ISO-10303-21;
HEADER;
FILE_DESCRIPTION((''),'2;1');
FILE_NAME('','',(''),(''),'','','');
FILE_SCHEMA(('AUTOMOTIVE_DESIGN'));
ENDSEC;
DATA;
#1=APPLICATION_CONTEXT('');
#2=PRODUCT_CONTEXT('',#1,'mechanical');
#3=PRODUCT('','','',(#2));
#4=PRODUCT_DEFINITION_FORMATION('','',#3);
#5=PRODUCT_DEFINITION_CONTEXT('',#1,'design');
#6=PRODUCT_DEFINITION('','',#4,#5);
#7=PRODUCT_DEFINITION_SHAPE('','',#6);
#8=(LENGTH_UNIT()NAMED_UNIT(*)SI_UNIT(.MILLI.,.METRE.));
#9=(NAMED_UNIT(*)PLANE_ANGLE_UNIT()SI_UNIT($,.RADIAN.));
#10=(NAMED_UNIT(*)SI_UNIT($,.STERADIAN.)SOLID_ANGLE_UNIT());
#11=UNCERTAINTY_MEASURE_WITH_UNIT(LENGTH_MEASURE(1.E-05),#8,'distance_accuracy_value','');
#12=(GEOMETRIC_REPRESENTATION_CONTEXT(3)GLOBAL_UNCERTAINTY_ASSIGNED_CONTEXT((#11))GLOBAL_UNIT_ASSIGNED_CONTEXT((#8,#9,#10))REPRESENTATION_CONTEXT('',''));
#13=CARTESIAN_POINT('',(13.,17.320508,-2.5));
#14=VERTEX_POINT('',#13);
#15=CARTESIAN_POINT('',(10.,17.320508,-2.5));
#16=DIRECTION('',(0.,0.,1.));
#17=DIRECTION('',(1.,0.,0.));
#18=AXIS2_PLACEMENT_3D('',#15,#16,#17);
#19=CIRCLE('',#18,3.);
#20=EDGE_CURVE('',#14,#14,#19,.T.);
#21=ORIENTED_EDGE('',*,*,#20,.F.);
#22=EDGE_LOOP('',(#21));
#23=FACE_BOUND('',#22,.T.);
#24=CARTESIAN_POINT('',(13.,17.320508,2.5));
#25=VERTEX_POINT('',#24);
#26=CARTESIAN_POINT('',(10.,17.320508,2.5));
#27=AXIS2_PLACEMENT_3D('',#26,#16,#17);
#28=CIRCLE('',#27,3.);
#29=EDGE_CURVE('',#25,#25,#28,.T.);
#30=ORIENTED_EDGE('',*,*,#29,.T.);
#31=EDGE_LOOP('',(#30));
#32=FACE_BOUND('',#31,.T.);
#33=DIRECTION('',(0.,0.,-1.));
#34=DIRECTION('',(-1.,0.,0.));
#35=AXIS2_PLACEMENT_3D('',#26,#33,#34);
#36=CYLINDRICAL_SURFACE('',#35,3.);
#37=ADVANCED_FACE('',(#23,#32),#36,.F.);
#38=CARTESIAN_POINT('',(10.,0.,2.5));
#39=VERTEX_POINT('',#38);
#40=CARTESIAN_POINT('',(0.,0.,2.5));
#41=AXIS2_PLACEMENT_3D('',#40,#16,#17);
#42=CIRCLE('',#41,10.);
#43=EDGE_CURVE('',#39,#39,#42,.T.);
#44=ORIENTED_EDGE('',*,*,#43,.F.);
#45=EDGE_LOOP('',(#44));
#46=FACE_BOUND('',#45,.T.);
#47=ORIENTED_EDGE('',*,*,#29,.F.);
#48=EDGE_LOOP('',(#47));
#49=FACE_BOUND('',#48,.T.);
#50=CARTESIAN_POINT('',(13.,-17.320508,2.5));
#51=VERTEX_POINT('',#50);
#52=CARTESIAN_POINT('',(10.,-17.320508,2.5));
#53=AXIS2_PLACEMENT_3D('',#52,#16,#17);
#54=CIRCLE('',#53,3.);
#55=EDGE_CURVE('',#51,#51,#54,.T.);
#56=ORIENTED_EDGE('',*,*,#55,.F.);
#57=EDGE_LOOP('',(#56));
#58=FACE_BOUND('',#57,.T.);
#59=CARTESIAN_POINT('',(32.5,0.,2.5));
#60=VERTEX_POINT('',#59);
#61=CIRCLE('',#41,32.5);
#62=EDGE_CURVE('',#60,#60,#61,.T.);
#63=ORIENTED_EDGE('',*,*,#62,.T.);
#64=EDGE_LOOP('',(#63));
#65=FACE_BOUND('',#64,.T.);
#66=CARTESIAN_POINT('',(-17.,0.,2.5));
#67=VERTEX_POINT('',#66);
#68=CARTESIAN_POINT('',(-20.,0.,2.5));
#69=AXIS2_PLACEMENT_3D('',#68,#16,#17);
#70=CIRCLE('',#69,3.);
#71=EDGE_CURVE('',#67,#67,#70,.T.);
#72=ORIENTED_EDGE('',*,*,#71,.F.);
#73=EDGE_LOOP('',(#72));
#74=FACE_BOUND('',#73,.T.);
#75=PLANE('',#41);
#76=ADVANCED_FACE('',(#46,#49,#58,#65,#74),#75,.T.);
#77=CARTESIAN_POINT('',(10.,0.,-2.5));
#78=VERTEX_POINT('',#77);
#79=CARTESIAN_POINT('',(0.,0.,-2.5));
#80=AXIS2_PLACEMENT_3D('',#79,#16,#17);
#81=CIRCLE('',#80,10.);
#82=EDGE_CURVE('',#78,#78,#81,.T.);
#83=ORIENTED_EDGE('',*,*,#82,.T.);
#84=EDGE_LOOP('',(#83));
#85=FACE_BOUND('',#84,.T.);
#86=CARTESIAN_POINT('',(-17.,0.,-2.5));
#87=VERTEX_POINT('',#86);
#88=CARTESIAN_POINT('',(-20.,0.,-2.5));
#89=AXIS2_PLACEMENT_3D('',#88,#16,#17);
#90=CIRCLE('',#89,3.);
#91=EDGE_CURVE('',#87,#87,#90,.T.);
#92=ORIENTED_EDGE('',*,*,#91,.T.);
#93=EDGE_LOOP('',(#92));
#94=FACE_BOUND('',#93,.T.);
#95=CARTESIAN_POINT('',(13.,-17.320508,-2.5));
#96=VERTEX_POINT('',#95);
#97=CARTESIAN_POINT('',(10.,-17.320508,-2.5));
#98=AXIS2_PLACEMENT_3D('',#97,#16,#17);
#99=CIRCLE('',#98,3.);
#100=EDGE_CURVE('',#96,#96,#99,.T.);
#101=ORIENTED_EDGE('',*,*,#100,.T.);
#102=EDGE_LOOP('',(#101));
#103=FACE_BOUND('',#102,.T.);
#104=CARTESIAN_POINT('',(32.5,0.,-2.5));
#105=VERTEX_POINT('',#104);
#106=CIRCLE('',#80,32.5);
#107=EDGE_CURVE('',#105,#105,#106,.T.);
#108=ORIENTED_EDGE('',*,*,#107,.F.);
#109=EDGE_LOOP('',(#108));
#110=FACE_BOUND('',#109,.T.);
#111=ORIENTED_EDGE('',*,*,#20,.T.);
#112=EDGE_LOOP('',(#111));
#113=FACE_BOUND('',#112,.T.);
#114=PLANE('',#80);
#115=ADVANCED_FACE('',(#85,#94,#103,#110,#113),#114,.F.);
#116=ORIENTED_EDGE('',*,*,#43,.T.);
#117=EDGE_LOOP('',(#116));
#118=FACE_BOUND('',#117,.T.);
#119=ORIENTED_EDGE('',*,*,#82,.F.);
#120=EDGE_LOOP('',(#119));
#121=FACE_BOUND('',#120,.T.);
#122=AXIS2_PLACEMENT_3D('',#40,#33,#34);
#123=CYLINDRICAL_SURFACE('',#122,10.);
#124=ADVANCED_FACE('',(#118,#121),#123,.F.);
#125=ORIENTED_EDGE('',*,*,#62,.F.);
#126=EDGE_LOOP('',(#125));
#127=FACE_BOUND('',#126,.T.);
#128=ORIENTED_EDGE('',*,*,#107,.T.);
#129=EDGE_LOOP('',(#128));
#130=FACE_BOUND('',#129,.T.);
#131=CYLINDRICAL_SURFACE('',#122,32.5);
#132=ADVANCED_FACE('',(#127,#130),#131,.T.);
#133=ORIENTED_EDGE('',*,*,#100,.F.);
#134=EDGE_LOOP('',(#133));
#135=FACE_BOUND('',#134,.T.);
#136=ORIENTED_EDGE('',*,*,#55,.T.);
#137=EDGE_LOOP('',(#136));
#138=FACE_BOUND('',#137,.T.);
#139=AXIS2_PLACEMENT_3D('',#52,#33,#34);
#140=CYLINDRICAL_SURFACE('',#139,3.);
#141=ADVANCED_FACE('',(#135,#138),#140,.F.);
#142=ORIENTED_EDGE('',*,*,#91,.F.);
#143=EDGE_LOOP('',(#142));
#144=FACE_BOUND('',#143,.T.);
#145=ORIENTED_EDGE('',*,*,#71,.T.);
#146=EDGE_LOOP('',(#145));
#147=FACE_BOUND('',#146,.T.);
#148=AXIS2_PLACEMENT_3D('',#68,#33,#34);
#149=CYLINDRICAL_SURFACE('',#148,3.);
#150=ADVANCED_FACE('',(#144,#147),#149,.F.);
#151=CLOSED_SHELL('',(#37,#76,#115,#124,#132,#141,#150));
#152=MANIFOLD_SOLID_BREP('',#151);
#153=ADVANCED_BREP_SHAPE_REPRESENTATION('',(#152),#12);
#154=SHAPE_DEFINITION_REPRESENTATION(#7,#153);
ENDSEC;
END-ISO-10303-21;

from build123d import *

# Parameters (mm, degrees)
SKETCH1_R           = 32.5
SKETCH1_R_2         = 10
SKETCH1_R_3         = 3
BOSS_EXTRUDE1_DEPTH = 2.5


with BuildPart() as part:
    # Sketch1 → Boss-Extrude1 (new, symmetric)
    with BuildSketch(Plane(origin=(0, 0, 0), x_dir=(0, 1, 0), z_dir=(0, 0, 1))):
        with Locations(Location((0, 0, 0), (0, 0, 270))):
            Circle(SKETCH1_R)
        with Locations(Location((0, 0, 0), (0, 0, 270))):
            Circle(SKETCH1_R_2, mode=Mode.SUBTRACT)
        with Locations(Location((0, 20, 0), (0, 0, 270))):
            Circle(SKETCH1_R_3, mode=Mode.SUBTRACT)
        with Locations(Location((17.320508076, -10, 0), (0, 0, 270))):
            Circle(SKETCH1_R_3, mode=Mode.SUBTRACT)
        with Locations(Location((-17.320508076, -10, 0), (0, 0, 270))):
            Circle(SKETCH1_R_3, mode=Mode.SUBTRACT)
    extrude(amount=BOSS_EXTRUDE1_DEPTH, both=True)


solid = part.part
